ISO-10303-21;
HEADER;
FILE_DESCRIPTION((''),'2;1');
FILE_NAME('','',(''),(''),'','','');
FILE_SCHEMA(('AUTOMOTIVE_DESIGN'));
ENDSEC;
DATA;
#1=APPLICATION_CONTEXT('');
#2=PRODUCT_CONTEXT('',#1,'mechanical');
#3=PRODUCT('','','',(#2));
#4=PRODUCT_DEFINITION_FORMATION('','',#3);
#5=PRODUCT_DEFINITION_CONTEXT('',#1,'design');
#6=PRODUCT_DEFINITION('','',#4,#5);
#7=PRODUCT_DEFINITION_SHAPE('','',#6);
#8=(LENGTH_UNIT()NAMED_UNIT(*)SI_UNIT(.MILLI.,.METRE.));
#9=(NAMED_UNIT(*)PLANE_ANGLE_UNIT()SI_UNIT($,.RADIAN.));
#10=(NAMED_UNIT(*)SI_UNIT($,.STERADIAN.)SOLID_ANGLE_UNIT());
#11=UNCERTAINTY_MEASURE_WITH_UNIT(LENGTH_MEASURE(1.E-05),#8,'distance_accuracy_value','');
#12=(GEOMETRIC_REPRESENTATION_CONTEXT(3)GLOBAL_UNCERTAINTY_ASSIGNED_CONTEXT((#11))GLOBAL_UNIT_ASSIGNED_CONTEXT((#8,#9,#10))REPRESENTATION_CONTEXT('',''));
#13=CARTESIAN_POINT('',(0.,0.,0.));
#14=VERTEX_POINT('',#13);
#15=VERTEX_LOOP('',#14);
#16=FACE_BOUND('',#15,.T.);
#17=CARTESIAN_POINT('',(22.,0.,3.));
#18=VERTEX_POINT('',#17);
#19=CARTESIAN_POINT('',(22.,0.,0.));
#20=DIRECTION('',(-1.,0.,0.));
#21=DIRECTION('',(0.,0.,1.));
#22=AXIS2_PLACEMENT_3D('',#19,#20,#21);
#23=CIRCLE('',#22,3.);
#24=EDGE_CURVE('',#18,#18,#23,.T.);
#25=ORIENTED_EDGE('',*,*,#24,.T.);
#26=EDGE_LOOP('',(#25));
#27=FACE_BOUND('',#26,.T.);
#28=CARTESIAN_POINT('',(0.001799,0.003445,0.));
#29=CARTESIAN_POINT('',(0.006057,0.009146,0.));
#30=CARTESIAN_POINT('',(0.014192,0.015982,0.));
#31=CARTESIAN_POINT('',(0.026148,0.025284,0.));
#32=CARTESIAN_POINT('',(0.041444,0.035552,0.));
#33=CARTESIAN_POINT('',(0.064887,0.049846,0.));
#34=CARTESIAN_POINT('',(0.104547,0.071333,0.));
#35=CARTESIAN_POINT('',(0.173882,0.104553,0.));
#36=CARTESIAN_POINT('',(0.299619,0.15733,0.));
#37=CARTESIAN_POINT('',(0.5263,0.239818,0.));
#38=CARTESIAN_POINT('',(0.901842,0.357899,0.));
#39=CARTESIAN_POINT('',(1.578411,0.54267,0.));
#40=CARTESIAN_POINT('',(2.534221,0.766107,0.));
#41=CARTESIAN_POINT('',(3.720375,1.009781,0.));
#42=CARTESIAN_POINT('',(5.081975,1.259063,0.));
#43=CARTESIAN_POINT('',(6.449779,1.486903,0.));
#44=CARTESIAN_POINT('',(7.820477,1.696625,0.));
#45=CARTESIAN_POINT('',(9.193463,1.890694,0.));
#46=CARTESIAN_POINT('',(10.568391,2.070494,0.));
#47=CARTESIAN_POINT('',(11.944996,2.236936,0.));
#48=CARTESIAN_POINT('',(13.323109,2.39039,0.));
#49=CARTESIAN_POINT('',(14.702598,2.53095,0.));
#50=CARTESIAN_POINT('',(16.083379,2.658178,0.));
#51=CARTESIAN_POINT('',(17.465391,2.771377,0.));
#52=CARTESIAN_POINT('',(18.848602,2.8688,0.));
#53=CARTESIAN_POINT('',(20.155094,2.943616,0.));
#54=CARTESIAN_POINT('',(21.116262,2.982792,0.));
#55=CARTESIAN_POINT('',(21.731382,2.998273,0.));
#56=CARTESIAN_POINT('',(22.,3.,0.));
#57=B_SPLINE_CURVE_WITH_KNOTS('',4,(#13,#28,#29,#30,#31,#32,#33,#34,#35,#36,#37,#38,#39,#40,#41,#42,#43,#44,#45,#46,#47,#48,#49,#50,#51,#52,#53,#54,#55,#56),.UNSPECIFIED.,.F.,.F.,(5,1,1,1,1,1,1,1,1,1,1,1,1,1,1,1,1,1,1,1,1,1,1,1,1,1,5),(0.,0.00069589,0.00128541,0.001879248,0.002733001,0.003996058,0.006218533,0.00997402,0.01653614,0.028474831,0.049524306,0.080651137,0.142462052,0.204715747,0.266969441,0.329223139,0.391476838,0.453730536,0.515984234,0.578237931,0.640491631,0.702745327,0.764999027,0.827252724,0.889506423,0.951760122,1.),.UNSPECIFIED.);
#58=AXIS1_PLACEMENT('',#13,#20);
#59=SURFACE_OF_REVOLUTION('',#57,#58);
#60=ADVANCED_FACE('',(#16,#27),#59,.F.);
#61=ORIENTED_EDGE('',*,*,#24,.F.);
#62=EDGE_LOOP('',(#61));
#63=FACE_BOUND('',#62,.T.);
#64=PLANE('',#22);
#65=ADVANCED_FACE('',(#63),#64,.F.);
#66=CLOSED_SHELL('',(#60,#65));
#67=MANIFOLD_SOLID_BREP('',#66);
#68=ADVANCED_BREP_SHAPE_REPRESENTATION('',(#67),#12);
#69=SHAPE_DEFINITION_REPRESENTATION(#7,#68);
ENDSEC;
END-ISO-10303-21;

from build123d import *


with BuildPart() as part:
    # Sketch9 → Revolve9 (revolve)
    with BuildSketch(Plane.XY):
        with BuildLine():
            Line((0, 0), (22, 0))
            Line((22, 0), (22, 3))
            add(Edge.make_bspline(
                [(0, 0), (0.001798545, 0.003445296), (0.006056808, 0.009146438), (0.014192433, 0.015981523), (0.026148475, 0.02528387), (0.041443991, 0.035551733), (0.064887049, 0.049845858), (0.104547333, 0.071333169), (0.173882111, 0.104552989), (0.299619218, 0.157330328), (0.526300183, 0.239817571), (0.901842414, 0.357899227), (1.578411328, 0.542669502), (2.534220573, 0.766107402), (3.720375229, 1.00978138), (5.081975452, 1.259062818), (6.44977929, 1.486902659), (7.820476591, 1.696624693), (9.193463064, 1.890694291), (10.568391193, 2.070493826), (11.944996174, 2.236936402), (13.323108763, 2.390390056), (14.702598258, 2.530950105), (16.083379205, 2.658178301), (17.46539112, 2.771376539), (18.848602165, 2.868800459), (20.155093557, 2.943615894), (21.116261891, 2.982792009), (21.731381795, 2.998273385), (22, 3)],
                knots=[0, 0, 0, 0, 0, 0.00069589, 0.00128541, 0.001879248, 0.002733001, 0.003996058, 0.006218533, 0.00997402, 0.01653614, 0.028474831, 0.049524306, 0.080651137, 0.142462052, 0.204715747, 0.266969441, 0.329223139, 0.391476838, 0.453730536, 0.515984234, 0.578237931, 0.640491631, 0.702745327, 0.764999027, 0.827252724, 0.889506423, 0.951760122, 1, 1, 1, 1, 1], degree=4))
        make_face()
    revolve(axis=Axis((0, 0, 0), (1, 0, 0)))


solid = part.part
